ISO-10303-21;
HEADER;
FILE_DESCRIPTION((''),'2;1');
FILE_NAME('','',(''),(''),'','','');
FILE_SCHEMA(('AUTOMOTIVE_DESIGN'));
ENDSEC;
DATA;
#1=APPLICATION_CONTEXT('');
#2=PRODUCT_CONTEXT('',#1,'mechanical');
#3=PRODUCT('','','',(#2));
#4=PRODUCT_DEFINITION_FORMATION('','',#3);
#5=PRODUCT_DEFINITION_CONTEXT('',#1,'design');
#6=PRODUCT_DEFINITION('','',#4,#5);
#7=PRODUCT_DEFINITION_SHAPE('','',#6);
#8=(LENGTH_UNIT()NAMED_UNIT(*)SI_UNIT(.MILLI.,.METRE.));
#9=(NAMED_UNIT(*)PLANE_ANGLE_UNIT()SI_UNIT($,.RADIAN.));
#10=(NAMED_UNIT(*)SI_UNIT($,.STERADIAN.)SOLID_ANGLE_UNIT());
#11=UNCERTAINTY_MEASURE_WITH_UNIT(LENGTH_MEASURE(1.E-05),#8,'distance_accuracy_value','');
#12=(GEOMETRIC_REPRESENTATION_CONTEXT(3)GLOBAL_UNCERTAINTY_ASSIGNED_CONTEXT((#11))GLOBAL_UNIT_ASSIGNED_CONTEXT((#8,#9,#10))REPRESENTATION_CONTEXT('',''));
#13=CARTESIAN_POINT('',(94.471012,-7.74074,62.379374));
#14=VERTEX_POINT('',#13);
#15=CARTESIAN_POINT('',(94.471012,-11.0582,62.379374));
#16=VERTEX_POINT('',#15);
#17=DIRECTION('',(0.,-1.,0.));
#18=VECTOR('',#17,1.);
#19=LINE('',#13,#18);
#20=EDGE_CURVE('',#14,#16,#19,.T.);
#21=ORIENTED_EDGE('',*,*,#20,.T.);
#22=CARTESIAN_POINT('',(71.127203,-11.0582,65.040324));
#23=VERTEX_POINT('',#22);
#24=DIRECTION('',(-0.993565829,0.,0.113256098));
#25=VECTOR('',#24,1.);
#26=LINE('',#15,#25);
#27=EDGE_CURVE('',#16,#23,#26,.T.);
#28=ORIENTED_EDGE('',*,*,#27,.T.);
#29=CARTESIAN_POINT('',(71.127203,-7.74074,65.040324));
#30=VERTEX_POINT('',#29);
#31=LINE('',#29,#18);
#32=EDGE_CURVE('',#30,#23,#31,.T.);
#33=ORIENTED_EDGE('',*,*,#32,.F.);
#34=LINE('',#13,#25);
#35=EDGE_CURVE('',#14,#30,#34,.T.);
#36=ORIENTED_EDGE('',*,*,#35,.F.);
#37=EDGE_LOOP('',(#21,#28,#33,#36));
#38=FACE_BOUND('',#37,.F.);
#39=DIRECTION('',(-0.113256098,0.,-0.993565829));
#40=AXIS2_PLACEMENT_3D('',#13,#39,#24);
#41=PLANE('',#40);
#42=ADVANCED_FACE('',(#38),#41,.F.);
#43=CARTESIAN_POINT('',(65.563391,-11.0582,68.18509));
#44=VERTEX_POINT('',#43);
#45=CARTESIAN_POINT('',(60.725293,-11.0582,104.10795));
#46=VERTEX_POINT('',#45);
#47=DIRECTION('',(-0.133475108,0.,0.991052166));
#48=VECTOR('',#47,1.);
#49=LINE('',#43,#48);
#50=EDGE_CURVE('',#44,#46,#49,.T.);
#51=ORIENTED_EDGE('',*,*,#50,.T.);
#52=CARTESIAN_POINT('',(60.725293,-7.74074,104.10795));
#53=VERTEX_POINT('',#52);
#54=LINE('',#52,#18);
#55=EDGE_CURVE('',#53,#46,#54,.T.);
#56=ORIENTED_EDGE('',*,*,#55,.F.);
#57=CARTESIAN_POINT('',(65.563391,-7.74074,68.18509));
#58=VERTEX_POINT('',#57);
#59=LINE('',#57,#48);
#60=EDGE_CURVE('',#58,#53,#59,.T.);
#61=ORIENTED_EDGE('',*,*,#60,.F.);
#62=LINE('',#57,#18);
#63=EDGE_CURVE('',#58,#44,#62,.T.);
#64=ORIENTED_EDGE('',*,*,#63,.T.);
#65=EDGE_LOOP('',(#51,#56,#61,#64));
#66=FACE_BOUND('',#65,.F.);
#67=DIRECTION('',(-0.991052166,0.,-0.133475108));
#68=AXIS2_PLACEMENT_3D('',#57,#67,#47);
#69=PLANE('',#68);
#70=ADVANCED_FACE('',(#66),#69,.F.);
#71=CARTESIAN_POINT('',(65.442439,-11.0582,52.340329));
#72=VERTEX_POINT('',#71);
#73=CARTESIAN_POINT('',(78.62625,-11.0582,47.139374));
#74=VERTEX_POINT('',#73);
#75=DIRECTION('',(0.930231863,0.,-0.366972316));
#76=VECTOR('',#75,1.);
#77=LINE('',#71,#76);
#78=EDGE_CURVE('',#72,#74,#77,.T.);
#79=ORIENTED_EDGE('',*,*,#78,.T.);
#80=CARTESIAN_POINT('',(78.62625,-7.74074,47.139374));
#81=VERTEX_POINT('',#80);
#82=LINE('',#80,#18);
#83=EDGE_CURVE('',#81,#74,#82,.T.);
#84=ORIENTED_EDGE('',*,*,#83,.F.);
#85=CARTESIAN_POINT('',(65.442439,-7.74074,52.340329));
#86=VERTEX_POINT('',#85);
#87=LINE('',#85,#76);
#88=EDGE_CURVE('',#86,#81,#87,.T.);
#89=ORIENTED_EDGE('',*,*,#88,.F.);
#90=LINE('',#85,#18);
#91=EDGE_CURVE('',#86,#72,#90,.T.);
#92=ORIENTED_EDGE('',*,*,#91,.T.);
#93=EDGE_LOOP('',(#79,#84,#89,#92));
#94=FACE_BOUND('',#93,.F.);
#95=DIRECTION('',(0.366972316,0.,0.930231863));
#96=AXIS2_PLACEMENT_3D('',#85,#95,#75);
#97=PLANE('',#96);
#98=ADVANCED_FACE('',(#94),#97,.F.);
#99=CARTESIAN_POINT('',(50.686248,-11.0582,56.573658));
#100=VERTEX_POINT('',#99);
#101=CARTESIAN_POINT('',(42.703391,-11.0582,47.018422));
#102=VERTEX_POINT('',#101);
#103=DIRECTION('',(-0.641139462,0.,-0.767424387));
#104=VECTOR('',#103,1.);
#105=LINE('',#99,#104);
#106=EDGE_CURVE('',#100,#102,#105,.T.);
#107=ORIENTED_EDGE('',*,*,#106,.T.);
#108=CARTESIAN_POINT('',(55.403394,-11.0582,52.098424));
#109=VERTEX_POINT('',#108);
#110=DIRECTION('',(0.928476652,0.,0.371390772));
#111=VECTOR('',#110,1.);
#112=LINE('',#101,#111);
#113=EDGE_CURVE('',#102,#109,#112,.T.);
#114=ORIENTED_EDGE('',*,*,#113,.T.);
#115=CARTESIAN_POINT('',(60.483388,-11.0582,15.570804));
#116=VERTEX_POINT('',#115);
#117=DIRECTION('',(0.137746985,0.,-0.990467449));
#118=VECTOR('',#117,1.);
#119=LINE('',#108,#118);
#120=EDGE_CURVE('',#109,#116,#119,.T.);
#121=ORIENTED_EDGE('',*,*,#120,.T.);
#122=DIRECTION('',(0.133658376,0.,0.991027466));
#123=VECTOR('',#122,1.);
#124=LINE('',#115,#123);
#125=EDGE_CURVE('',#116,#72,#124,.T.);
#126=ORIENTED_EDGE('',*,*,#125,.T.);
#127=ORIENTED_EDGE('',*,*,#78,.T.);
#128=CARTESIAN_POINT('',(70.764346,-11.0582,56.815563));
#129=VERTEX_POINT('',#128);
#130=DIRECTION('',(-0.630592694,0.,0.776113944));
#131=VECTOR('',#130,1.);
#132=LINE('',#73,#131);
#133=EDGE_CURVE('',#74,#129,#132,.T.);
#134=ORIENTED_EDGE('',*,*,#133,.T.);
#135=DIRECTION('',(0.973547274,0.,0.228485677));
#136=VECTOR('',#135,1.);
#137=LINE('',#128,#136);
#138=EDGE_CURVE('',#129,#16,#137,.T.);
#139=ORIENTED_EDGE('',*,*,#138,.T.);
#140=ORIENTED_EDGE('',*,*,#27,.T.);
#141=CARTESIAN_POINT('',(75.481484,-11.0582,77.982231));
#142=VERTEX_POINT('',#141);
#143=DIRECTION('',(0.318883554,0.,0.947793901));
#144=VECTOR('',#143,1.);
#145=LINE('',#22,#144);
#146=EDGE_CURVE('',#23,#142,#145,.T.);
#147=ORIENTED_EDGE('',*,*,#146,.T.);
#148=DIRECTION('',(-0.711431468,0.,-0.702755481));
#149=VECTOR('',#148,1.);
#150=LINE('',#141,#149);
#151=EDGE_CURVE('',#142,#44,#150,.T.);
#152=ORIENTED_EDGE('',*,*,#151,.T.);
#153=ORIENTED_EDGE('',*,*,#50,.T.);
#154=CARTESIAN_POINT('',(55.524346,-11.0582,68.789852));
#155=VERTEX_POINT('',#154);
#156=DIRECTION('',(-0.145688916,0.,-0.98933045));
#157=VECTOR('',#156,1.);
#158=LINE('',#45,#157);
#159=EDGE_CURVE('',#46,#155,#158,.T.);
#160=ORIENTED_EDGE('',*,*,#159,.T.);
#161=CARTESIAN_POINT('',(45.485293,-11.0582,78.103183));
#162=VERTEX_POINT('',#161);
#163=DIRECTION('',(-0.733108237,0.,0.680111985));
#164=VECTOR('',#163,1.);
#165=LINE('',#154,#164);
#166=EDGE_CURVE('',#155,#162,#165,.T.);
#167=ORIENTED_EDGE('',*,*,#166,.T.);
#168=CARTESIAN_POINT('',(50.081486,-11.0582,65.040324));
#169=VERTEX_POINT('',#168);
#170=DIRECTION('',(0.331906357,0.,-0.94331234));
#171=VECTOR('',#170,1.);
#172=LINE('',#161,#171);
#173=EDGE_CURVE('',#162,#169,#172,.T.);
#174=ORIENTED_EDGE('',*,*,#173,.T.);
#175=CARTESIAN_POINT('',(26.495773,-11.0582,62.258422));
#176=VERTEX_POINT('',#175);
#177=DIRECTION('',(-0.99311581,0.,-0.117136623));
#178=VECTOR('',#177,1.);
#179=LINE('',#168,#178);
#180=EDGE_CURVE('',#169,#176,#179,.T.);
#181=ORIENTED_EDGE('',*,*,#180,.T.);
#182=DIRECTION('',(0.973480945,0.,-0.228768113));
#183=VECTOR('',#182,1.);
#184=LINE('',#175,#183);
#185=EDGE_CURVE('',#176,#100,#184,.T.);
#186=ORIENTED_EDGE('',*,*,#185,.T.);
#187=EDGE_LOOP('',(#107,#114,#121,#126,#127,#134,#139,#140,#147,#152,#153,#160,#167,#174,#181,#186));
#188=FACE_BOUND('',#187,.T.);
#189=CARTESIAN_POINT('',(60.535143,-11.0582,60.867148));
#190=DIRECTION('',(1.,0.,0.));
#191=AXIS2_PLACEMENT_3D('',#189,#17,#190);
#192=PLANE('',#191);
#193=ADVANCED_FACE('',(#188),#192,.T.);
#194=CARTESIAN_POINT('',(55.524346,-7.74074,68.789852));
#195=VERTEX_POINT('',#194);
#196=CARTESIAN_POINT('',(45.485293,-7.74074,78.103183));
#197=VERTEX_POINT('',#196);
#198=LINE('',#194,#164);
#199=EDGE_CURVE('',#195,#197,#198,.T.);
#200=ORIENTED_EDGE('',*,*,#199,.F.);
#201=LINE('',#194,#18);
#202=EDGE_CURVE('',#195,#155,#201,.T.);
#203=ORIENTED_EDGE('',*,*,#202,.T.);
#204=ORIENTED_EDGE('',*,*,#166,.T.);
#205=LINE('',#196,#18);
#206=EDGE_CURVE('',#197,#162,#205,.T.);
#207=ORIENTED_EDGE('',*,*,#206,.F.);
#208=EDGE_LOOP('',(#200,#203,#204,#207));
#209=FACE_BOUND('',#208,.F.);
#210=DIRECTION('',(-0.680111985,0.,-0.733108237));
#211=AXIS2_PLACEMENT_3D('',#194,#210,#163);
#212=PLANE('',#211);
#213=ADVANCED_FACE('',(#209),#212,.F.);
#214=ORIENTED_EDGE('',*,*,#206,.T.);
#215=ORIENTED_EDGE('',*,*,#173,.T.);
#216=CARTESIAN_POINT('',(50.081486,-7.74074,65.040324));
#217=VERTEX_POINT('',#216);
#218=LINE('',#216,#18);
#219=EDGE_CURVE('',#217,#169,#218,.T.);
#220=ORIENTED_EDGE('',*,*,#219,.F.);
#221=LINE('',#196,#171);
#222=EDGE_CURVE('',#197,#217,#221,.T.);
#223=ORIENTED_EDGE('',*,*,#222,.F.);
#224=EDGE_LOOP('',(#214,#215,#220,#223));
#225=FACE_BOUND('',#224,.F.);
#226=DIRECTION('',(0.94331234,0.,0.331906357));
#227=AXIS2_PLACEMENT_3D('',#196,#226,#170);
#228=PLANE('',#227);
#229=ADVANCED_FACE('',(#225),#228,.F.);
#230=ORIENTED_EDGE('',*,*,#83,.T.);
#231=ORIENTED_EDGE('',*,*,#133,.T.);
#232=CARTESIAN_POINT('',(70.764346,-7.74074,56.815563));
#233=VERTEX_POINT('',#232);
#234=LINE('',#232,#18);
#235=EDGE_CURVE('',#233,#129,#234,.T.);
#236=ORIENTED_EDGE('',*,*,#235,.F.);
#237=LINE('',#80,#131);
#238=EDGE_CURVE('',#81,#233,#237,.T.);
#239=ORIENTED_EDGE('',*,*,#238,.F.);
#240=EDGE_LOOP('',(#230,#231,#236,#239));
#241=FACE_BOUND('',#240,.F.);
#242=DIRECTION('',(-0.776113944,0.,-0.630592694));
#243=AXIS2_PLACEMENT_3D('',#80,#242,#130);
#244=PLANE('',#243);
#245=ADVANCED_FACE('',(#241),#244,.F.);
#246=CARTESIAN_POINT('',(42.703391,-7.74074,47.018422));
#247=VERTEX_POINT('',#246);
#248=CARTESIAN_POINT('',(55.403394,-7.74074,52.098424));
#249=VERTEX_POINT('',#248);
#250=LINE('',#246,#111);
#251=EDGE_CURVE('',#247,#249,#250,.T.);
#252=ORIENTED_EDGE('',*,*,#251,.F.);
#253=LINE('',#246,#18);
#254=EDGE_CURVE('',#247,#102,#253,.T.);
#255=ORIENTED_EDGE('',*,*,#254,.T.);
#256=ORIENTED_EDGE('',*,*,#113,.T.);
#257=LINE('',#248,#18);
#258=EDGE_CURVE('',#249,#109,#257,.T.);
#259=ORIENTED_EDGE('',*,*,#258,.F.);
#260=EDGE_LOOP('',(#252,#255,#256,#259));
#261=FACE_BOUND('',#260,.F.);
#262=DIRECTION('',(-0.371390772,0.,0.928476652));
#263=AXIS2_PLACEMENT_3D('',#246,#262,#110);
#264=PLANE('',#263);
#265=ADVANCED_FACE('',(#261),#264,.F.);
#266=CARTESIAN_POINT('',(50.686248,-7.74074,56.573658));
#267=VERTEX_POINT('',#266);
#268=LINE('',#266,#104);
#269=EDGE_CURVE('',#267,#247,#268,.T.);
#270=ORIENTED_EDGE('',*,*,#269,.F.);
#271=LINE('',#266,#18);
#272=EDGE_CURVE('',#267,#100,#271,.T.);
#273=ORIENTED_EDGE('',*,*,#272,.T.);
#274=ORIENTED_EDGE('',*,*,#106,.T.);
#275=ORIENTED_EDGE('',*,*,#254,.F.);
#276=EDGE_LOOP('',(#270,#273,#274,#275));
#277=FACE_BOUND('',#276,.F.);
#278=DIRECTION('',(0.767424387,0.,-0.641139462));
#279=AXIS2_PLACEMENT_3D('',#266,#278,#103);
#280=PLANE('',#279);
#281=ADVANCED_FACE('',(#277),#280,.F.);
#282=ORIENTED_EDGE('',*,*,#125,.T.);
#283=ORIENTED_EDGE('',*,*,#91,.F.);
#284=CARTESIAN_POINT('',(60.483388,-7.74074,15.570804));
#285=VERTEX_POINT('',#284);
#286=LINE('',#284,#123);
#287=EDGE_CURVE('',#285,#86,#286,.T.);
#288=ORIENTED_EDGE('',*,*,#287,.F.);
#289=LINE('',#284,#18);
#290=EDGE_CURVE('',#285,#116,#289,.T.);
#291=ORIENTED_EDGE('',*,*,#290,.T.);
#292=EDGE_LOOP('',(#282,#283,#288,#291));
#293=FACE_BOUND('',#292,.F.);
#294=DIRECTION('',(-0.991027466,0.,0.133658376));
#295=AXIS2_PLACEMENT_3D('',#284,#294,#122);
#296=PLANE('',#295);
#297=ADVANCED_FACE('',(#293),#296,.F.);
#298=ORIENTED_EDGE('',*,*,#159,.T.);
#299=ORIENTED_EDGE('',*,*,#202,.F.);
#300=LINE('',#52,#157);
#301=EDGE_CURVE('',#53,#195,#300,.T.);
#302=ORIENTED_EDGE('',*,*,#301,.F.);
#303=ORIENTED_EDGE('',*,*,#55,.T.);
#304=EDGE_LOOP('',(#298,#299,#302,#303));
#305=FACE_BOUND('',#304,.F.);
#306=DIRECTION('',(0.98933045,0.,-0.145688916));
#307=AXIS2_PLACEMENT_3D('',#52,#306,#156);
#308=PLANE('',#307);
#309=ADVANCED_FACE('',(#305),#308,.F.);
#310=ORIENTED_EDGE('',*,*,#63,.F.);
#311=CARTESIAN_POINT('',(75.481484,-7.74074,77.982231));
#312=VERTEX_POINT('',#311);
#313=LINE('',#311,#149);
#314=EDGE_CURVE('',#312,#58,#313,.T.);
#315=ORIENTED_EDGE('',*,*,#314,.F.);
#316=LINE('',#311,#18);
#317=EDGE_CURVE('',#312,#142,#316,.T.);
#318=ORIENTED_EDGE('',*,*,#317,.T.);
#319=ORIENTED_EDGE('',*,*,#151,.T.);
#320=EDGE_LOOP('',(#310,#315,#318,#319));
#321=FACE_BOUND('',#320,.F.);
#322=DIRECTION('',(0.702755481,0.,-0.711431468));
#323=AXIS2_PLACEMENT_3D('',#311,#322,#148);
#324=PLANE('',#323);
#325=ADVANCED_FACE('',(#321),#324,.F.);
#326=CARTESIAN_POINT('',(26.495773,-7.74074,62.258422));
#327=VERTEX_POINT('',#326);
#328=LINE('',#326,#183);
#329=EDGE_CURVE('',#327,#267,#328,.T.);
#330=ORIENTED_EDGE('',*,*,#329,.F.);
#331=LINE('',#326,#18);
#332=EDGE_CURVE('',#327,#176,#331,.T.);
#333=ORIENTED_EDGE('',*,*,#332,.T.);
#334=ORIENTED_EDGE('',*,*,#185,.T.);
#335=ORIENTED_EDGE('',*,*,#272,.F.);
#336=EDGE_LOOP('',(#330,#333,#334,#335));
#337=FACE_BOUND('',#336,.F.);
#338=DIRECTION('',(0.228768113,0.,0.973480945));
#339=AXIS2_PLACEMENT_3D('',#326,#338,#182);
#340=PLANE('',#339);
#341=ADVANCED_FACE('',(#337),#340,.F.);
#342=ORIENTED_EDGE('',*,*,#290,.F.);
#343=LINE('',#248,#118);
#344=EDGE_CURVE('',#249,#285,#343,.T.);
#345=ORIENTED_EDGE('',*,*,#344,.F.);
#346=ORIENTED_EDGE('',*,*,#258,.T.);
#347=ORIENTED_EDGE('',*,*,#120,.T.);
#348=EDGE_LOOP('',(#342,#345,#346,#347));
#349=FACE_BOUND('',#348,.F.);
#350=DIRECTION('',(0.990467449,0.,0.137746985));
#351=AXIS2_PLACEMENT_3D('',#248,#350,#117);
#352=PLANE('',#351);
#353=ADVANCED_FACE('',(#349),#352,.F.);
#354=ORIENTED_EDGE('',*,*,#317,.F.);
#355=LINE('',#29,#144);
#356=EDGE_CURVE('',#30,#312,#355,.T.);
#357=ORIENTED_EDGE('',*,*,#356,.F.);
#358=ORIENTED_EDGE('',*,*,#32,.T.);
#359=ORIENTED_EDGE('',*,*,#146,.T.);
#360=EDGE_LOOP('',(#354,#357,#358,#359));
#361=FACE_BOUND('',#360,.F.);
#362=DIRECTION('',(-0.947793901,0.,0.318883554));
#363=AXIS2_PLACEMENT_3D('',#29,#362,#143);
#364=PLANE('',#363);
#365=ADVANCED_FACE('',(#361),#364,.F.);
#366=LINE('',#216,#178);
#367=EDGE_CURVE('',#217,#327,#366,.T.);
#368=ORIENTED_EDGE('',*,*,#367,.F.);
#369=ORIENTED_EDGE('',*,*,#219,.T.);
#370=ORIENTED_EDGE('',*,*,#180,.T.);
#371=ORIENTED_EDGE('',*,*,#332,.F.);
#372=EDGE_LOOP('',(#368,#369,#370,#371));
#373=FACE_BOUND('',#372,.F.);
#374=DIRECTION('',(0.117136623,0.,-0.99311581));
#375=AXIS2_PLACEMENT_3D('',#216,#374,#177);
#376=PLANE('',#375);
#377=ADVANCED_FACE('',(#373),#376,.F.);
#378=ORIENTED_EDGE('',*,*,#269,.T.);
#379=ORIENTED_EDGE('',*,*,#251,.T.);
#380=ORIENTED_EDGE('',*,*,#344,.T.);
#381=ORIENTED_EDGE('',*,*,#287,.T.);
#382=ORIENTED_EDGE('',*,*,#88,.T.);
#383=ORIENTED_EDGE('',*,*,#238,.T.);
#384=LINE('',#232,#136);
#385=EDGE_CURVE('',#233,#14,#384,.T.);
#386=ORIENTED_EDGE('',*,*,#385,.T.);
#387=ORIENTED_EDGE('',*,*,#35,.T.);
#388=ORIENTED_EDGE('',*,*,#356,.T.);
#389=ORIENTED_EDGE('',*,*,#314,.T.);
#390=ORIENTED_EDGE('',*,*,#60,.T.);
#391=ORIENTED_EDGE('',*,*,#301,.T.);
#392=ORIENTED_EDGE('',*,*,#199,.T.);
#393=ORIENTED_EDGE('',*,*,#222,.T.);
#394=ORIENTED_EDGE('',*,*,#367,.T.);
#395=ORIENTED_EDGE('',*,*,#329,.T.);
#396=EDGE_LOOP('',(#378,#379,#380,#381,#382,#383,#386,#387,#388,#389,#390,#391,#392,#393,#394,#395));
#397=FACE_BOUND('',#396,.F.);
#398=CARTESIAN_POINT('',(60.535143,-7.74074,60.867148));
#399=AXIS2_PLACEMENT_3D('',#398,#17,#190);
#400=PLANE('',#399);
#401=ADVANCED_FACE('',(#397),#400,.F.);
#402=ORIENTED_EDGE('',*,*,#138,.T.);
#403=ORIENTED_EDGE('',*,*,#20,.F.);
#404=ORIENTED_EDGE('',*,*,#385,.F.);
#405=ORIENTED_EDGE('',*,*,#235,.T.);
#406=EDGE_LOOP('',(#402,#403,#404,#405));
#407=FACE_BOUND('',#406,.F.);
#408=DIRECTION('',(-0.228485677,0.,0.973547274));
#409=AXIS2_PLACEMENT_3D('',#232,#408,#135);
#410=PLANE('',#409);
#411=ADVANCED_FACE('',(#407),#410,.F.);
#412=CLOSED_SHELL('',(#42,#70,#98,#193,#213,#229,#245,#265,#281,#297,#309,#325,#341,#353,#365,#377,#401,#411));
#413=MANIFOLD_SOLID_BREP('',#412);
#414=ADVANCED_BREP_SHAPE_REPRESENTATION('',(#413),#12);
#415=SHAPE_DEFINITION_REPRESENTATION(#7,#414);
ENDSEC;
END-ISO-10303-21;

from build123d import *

# Parameters (mm, degrees)
F1_DEPTH = 11.0582
F2_SCALE = 0.3


with BuildPart() as f1:
    # F0 (on Front) → F1 (new body)
    with BuildSketch(Plane.XZ):
        Polygon((0.806323, 147.5619096), (-16.5301676, 29.8349162), (-49.993677, 60.879355), (-34.673032, 17.3364906), (-113.2920772, 8.063484), (-32.657161, -10.8857288), (-59.2666836, -42.736516), (-16.9333418, -25.8031742), (-2.54e-05, -147.5619096), (16.5301422, -24.9968258), (60.4761808, -42.3333418), (34.2698324, -10.0793804), (113.2920518, 8.4666582), (35.479355, 17.3364906), (49.9936262, 60.4761808), (16.9333164, 27.8190452), align=None)
    extrude(amount=F1_DEPTH)


with BuildPart() as f1_1:
    # F2: moved
    add(f1.part.scale(F2_SCALE).moved(Location((0.5644261, -7.74074, 103.29333672))))


with BuildPart() as f1_2:
    # F3: moved
    add(f1_1.part.moved(Location((59.91897, 0, -43.45396))))


solid = f1_2.part
